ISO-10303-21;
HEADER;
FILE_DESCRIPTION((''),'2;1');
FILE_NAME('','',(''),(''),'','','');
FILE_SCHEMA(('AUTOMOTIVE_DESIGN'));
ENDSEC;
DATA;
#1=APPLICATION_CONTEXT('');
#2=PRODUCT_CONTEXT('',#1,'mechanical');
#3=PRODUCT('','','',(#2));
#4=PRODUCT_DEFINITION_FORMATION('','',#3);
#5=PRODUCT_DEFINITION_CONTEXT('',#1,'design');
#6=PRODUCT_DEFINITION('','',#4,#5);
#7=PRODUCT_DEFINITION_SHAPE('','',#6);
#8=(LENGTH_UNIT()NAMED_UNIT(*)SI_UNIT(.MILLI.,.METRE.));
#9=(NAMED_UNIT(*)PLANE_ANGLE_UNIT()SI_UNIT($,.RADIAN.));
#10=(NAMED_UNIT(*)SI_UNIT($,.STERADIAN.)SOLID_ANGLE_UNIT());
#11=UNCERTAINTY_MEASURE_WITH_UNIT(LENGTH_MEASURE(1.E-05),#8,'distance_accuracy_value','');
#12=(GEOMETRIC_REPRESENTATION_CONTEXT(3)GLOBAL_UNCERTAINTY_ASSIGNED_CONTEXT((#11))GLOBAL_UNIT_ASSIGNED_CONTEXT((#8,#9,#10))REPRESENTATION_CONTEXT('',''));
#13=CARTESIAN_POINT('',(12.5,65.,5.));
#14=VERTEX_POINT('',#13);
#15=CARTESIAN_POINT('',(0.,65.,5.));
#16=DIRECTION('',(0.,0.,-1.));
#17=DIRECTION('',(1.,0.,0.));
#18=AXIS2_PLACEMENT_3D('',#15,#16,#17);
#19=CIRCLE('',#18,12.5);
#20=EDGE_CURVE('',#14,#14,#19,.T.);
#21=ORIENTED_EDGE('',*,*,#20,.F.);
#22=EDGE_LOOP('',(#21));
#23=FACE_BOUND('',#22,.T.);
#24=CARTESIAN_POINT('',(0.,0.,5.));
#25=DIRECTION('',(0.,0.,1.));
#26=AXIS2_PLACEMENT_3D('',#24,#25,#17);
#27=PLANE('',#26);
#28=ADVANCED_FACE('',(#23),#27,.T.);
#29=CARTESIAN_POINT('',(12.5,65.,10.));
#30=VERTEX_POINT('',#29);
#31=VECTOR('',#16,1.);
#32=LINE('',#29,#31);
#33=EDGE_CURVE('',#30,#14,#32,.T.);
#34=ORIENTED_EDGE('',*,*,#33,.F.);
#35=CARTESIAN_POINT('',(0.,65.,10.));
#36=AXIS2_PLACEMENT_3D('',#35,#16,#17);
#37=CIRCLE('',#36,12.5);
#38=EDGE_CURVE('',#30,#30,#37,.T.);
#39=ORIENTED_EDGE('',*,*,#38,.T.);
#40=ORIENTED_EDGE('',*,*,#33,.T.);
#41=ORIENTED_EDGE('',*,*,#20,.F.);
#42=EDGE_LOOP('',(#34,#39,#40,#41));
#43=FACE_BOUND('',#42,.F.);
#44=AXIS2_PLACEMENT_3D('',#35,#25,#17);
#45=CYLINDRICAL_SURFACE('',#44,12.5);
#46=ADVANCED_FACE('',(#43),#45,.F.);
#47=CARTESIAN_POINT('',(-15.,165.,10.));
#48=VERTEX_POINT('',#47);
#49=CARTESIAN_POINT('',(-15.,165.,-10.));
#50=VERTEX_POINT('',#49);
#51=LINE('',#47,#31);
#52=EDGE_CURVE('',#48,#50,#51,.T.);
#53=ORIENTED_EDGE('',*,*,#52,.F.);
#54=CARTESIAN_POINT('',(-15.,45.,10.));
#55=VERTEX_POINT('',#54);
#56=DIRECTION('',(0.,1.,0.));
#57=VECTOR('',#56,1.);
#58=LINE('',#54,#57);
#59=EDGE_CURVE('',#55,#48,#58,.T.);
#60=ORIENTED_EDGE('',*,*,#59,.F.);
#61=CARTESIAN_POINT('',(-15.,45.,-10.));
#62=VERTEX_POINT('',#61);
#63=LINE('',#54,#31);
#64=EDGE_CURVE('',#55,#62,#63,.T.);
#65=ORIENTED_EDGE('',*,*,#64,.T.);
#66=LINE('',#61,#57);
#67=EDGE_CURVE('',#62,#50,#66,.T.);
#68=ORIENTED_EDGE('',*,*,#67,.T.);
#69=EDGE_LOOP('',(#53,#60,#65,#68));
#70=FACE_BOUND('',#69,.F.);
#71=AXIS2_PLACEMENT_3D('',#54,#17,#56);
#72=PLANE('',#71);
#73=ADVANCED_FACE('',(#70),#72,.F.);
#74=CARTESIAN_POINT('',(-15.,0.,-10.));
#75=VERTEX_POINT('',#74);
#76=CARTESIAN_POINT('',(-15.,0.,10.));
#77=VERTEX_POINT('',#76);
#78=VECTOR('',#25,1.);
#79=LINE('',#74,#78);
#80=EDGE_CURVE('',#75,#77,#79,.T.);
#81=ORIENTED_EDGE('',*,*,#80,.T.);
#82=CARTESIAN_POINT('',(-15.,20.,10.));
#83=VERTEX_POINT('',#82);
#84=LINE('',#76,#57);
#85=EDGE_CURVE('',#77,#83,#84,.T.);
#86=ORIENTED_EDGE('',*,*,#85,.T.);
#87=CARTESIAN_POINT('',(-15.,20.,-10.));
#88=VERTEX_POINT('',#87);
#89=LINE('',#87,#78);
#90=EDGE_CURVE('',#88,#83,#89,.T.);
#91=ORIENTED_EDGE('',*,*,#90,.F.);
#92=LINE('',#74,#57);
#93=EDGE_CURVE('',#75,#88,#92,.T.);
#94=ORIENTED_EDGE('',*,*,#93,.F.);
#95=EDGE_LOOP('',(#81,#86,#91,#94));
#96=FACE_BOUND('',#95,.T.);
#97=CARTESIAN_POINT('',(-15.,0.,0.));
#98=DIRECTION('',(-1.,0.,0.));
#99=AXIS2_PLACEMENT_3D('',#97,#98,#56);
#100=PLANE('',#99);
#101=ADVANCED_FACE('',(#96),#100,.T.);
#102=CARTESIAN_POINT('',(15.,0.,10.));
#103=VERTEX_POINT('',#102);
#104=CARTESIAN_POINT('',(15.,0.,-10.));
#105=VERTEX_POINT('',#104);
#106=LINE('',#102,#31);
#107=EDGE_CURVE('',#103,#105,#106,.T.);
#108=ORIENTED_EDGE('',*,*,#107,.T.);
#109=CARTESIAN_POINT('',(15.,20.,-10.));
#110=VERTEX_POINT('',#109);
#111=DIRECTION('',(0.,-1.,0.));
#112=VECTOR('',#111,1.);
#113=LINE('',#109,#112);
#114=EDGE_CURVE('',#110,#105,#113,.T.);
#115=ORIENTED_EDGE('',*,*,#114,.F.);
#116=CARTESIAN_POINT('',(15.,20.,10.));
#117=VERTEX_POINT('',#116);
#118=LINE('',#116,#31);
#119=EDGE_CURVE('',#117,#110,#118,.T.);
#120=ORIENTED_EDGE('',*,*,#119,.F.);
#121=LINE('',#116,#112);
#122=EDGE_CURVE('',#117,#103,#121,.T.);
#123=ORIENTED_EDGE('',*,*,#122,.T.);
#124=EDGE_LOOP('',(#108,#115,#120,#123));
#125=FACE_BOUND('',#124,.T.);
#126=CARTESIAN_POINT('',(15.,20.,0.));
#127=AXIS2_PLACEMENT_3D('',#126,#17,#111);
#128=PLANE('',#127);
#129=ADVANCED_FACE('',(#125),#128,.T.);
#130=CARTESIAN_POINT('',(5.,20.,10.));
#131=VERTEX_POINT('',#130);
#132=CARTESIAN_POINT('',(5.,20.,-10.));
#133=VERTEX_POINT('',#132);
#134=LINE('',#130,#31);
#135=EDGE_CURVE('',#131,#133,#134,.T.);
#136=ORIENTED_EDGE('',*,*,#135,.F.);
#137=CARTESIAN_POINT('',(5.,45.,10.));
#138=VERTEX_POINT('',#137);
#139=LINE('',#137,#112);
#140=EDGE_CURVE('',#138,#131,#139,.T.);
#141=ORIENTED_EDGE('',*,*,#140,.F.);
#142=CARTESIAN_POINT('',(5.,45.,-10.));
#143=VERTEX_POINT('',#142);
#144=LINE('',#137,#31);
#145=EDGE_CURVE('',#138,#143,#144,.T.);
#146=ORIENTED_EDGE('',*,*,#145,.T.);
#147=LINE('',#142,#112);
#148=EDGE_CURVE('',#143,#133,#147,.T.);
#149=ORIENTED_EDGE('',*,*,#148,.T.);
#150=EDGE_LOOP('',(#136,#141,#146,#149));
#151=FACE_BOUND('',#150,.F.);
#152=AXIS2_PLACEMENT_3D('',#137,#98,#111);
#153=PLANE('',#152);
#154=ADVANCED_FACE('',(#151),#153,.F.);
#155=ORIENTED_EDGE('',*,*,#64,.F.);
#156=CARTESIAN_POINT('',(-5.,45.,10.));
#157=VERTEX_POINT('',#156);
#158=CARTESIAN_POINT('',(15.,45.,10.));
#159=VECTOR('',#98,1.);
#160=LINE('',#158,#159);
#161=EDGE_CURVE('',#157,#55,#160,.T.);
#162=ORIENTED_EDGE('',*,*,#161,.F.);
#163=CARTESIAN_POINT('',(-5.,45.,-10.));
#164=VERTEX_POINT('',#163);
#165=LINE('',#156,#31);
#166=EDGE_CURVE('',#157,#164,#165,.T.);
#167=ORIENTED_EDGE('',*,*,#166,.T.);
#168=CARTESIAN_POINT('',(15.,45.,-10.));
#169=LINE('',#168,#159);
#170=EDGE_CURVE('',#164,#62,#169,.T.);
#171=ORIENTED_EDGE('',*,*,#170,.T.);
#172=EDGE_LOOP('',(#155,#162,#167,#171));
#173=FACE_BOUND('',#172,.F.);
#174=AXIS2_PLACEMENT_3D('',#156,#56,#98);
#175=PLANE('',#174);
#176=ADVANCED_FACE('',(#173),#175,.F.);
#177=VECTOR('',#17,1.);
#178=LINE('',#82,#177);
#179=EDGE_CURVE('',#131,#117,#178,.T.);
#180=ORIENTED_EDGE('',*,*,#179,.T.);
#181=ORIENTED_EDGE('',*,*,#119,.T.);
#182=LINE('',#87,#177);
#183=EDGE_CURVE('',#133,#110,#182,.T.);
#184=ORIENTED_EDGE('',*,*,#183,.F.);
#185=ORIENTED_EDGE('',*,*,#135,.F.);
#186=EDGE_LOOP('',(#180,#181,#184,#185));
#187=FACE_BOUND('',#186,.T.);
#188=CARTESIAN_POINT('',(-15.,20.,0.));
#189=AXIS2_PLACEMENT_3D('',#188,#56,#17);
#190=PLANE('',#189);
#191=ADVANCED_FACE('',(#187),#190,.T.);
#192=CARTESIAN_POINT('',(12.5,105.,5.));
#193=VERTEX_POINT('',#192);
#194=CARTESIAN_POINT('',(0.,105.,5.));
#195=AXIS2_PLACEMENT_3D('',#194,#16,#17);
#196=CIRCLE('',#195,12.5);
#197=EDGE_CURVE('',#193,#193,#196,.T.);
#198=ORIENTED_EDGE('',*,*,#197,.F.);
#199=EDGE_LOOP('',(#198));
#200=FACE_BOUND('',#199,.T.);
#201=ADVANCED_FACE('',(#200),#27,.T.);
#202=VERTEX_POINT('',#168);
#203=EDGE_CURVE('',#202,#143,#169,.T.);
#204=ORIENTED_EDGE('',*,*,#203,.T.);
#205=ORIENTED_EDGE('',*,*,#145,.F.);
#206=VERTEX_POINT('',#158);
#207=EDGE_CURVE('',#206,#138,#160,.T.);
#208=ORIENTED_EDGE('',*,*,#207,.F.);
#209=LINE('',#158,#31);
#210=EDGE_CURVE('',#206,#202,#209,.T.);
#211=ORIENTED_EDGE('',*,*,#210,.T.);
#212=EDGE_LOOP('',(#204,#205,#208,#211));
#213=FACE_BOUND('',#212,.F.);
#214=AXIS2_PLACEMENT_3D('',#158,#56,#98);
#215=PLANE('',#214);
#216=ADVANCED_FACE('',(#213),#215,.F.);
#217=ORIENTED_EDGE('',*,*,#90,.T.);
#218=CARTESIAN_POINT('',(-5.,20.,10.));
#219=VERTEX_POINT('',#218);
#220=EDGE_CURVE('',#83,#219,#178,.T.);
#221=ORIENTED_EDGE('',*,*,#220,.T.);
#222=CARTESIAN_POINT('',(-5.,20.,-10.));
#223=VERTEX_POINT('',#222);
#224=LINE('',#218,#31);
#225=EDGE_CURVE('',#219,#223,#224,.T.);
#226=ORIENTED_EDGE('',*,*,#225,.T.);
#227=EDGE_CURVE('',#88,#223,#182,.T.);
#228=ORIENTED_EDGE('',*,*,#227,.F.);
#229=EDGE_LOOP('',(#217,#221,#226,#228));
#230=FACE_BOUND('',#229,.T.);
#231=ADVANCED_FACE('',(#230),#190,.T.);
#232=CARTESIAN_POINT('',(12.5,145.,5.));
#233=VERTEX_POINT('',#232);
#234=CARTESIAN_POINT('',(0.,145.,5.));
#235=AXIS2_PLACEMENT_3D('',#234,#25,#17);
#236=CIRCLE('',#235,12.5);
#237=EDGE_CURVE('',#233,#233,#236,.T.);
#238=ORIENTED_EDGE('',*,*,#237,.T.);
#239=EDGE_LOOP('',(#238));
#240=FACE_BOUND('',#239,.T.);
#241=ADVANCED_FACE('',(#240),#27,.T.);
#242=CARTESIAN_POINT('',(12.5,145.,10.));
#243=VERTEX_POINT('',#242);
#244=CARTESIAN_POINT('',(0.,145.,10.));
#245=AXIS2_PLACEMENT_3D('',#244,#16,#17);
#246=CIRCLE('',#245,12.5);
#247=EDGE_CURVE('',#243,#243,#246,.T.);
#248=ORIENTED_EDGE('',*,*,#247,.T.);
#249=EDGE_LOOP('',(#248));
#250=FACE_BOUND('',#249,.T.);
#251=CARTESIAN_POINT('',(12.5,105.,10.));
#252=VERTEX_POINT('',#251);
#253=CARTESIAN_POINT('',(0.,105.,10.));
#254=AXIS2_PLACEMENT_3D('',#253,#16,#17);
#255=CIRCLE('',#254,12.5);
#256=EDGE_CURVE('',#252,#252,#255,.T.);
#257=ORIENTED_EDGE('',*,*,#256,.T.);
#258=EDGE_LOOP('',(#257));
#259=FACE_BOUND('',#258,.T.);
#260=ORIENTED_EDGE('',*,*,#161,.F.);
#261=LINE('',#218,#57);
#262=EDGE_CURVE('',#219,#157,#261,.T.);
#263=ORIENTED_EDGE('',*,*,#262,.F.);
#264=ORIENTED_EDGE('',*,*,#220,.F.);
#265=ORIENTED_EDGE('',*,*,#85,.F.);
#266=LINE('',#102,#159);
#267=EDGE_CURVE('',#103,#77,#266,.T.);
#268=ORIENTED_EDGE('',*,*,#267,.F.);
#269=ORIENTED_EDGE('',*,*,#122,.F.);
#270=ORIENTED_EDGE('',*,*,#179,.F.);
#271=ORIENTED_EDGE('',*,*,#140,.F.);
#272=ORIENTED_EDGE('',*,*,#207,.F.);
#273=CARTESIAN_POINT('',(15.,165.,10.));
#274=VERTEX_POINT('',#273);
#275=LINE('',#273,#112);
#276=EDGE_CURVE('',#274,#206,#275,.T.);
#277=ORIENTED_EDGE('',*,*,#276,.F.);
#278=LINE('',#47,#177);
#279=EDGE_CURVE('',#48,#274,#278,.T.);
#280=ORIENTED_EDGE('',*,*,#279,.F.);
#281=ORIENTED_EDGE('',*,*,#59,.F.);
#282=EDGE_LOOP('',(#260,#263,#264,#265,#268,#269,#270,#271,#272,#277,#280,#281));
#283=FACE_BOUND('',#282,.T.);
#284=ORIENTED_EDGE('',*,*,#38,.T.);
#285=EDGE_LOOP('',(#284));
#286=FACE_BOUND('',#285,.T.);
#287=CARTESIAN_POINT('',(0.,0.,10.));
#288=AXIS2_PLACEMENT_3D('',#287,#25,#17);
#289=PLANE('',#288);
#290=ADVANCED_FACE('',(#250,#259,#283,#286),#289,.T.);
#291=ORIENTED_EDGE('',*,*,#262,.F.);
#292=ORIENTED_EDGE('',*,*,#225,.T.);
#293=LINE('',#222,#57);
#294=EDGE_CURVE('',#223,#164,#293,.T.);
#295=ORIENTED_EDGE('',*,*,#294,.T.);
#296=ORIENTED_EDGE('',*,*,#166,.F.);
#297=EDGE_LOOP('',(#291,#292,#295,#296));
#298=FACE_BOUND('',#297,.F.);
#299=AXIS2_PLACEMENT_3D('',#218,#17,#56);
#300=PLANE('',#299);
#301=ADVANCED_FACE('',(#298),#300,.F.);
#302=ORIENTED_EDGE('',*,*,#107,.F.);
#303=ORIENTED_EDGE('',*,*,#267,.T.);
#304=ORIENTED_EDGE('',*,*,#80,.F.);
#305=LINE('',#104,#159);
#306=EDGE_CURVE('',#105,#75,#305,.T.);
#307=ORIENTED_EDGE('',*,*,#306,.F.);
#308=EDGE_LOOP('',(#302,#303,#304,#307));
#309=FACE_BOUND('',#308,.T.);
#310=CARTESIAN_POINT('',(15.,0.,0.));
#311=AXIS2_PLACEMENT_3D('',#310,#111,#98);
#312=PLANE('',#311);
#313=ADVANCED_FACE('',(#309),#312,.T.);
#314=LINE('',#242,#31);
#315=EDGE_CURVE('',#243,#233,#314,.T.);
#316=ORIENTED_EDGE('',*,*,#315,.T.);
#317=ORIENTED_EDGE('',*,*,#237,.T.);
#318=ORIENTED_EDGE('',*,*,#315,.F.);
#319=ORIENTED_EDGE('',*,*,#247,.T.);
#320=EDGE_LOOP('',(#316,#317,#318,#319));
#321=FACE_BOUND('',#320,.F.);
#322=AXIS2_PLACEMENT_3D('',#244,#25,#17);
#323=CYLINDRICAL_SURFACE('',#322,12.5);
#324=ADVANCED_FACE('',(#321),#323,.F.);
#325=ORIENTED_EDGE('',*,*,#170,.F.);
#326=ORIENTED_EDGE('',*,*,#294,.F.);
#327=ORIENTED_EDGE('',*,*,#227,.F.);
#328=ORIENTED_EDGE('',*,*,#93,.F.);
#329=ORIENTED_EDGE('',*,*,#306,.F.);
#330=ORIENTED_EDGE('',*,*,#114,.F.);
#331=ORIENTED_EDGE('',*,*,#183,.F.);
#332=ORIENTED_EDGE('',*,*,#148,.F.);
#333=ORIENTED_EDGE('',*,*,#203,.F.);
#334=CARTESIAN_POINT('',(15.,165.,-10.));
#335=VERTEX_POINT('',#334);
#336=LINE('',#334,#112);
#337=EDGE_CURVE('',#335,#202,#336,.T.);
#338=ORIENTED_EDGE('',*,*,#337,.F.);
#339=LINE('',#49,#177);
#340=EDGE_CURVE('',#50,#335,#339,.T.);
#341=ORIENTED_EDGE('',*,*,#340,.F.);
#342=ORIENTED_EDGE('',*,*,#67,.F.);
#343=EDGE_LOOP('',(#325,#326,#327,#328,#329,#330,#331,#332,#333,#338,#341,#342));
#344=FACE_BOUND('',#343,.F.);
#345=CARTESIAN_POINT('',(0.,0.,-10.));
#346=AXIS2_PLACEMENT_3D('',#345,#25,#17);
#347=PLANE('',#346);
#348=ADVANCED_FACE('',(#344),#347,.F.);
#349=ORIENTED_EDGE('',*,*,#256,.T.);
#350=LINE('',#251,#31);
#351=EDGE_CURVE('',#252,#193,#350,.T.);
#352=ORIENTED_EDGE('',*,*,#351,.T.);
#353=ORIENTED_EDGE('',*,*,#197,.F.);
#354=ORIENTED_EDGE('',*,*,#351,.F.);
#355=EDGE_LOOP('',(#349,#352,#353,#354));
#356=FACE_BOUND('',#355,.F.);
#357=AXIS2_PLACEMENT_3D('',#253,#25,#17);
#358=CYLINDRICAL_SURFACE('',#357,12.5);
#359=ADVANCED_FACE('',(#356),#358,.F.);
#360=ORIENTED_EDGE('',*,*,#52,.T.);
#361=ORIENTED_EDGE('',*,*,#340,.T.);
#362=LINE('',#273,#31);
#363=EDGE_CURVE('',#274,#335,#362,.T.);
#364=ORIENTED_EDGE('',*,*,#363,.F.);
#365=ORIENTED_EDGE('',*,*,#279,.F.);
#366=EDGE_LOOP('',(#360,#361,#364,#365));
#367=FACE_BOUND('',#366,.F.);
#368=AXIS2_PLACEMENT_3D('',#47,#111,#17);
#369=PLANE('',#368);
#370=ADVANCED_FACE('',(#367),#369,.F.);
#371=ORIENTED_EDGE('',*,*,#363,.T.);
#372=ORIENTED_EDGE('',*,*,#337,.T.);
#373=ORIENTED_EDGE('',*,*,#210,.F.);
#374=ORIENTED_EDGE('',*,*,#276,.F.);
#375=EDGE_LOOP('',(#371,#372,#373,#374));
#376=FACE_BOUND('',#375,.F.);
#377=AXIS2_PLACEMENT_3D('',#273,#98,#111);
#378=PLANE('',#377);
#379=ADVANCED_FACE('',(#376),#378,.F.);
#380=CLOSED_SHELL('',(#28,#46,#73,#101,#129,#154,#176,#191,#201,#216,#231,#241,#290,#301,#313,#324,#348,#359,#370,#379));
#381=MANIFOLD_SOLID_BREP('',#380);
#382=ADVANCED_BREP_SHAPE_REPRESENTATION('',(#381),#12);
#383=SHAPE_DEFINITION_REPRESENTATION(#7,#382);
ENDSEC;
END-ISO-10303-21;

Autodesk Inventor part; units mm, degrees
ref_plane "YZ Plane" through (0, 0, 0) normal (1, 0, 0) x (0, 1, 0)
ref_plane "XZ Plane" through (0, 0, 0) normal (0, 1, 0) x (-1, 0, 0)
ref_plane "XY Plane" through (0, 0, 0) normal (0, 0, 1) x (1, 0, 0)
sketch "Sketch1" plane through (0, 0, 0) normal (0, 0, 1) x (1, 0, 0)
  point P0 (0, 0)
sketch "Sketch2" plane through (0, 0, 0) normal (0, 0, 1) x (1, 0, 0)
  line L0 (-15, 20) -> (15, 20)
  line L1 (15, 20) -> (15, 0)
  line L2 (15, 0) -> (-15, 0)
  line L3 (-15, 0) -> (-15, 20)
  point P0 (0, 0)
  dimension "d0" = 30
  dimension "d1" = 20
  dimension "d2" = 20
  dimension "d3" = 15
extrude "Extrusion1" add sketch "Sketch2" along normal mid plane 20
sketch "Sketch3" plane through (0, 0, 10) normal (0, 0, 1) x (1, 0, 0)
  line L0 (-5, 45) -> (5, 45)
  line L1 (5, 45) -> (5, 20)
  line L2 (5, 20) -> (-5, 20)
  line L3 (-5, 20) -> (-5, 45)
  line L4 (15, 20) -> (-15, 20) projected
  point P0 (0, 0)
  dimension "d6" = 10
  dimension "d7" = 25
  dimension "d8" = 0
  dimension "d9" = 5
extrude "Extrusion2" add sketch "Sketch3" against normal blind 20
sketch "Sketch4" plane through (0, 0, 10) normal (0, 0, 1) x (1, 0, 0)
  line L0 (-15, 165) -> (15, 165)
  line L1 (15, 165) -> (15, 45)
  line L2 (15, 45) -> (-15, 45)
  line L3 (-15, 45) -> (-15, 165)
  line L4 (-5, 45) -> (5, 45) projected
  point P0 (0, 0)
  dimension "d12" = 30
  dimension "d13" = 120
  dimension "d14" = 0
  dimension "d15" = 15
extrude "Extrusion3" add sketch "Sketch4" against normal blind 20
sketch "Sketch5" plane through (0, 0, 10) normal (0, 0, 1) x (1, 0, 0)
  point P0 (0, 0)
sketch "Sketch6" plane through (0, 0, 10) normal (0, 0, 1) x (1, 0, 0)
  line L0 (0, 45) -> (0, 165)
  line L1 (-15, 165) -> (15, 165) projected
  line L2 (0, 165) -> (0, 125)
  line L3 (0, 125) -> (0, 85)
  line L4 (0, 85) -> (0, 45)
  line L5 (0, 165) -> (0, 145)
  line L6 (0, 125) -> (0, 105)
  line L7 (0, 85) -> (0, 65)
  line L8 (0, 165) -> (0, 145)
  circle A0 centre (0, 145) radius 12.5
  point P0 (0, 0)
  dimension "d18" = 40
  dimension "d19" = 40
  dimension "d20" = 20
  dimension "d21" = 20
  dimension "d22" = 20
  dimension "d23" = 25
extrude "Extrusion4" cut sketch "Sketch6" against normal blind 5
sketch "Sketch7" plane through (0, 0, 10) normal (0, 0, 1) x (1, 0, 0)
  line L0 (-15, 165) -> (15, 165) projected
  line L1 (0, 165) -> (0, 105)
  circle A0 centre (0, 105) radius 12.5
  point P0 (0, 0)
  dimension "d26" = 60
  dimension "d27" = 25
extrude "Extrusion5" cut sketch "Sketch7" against normal blind 5
sketch "Sketch8" plane through (0, 0, 10) normal (0, 0, 1) x (1, 0, 0)
  line L0 (0, 45) -> (0, 65)
  circle A0 centre (0, 65) radius 12.5
  point P0 (0, 0)
  dimension "d30" = 20
  dimension "d31" = 25
extrude "Extrusion6" cut sketch "Sketch8" against normal blind 5
sketch "Sketch9" plane through (15, 45, 10) normal (1, 0, 0) x (0, 0, -1)
  point P0 (10, -45)
sketch "Sketch10" plane through (0, 0, 10) normal (0, 0, 1) x (1, 0, 0)
  point P0 (0, 0)
properties part number "trafficlight"
